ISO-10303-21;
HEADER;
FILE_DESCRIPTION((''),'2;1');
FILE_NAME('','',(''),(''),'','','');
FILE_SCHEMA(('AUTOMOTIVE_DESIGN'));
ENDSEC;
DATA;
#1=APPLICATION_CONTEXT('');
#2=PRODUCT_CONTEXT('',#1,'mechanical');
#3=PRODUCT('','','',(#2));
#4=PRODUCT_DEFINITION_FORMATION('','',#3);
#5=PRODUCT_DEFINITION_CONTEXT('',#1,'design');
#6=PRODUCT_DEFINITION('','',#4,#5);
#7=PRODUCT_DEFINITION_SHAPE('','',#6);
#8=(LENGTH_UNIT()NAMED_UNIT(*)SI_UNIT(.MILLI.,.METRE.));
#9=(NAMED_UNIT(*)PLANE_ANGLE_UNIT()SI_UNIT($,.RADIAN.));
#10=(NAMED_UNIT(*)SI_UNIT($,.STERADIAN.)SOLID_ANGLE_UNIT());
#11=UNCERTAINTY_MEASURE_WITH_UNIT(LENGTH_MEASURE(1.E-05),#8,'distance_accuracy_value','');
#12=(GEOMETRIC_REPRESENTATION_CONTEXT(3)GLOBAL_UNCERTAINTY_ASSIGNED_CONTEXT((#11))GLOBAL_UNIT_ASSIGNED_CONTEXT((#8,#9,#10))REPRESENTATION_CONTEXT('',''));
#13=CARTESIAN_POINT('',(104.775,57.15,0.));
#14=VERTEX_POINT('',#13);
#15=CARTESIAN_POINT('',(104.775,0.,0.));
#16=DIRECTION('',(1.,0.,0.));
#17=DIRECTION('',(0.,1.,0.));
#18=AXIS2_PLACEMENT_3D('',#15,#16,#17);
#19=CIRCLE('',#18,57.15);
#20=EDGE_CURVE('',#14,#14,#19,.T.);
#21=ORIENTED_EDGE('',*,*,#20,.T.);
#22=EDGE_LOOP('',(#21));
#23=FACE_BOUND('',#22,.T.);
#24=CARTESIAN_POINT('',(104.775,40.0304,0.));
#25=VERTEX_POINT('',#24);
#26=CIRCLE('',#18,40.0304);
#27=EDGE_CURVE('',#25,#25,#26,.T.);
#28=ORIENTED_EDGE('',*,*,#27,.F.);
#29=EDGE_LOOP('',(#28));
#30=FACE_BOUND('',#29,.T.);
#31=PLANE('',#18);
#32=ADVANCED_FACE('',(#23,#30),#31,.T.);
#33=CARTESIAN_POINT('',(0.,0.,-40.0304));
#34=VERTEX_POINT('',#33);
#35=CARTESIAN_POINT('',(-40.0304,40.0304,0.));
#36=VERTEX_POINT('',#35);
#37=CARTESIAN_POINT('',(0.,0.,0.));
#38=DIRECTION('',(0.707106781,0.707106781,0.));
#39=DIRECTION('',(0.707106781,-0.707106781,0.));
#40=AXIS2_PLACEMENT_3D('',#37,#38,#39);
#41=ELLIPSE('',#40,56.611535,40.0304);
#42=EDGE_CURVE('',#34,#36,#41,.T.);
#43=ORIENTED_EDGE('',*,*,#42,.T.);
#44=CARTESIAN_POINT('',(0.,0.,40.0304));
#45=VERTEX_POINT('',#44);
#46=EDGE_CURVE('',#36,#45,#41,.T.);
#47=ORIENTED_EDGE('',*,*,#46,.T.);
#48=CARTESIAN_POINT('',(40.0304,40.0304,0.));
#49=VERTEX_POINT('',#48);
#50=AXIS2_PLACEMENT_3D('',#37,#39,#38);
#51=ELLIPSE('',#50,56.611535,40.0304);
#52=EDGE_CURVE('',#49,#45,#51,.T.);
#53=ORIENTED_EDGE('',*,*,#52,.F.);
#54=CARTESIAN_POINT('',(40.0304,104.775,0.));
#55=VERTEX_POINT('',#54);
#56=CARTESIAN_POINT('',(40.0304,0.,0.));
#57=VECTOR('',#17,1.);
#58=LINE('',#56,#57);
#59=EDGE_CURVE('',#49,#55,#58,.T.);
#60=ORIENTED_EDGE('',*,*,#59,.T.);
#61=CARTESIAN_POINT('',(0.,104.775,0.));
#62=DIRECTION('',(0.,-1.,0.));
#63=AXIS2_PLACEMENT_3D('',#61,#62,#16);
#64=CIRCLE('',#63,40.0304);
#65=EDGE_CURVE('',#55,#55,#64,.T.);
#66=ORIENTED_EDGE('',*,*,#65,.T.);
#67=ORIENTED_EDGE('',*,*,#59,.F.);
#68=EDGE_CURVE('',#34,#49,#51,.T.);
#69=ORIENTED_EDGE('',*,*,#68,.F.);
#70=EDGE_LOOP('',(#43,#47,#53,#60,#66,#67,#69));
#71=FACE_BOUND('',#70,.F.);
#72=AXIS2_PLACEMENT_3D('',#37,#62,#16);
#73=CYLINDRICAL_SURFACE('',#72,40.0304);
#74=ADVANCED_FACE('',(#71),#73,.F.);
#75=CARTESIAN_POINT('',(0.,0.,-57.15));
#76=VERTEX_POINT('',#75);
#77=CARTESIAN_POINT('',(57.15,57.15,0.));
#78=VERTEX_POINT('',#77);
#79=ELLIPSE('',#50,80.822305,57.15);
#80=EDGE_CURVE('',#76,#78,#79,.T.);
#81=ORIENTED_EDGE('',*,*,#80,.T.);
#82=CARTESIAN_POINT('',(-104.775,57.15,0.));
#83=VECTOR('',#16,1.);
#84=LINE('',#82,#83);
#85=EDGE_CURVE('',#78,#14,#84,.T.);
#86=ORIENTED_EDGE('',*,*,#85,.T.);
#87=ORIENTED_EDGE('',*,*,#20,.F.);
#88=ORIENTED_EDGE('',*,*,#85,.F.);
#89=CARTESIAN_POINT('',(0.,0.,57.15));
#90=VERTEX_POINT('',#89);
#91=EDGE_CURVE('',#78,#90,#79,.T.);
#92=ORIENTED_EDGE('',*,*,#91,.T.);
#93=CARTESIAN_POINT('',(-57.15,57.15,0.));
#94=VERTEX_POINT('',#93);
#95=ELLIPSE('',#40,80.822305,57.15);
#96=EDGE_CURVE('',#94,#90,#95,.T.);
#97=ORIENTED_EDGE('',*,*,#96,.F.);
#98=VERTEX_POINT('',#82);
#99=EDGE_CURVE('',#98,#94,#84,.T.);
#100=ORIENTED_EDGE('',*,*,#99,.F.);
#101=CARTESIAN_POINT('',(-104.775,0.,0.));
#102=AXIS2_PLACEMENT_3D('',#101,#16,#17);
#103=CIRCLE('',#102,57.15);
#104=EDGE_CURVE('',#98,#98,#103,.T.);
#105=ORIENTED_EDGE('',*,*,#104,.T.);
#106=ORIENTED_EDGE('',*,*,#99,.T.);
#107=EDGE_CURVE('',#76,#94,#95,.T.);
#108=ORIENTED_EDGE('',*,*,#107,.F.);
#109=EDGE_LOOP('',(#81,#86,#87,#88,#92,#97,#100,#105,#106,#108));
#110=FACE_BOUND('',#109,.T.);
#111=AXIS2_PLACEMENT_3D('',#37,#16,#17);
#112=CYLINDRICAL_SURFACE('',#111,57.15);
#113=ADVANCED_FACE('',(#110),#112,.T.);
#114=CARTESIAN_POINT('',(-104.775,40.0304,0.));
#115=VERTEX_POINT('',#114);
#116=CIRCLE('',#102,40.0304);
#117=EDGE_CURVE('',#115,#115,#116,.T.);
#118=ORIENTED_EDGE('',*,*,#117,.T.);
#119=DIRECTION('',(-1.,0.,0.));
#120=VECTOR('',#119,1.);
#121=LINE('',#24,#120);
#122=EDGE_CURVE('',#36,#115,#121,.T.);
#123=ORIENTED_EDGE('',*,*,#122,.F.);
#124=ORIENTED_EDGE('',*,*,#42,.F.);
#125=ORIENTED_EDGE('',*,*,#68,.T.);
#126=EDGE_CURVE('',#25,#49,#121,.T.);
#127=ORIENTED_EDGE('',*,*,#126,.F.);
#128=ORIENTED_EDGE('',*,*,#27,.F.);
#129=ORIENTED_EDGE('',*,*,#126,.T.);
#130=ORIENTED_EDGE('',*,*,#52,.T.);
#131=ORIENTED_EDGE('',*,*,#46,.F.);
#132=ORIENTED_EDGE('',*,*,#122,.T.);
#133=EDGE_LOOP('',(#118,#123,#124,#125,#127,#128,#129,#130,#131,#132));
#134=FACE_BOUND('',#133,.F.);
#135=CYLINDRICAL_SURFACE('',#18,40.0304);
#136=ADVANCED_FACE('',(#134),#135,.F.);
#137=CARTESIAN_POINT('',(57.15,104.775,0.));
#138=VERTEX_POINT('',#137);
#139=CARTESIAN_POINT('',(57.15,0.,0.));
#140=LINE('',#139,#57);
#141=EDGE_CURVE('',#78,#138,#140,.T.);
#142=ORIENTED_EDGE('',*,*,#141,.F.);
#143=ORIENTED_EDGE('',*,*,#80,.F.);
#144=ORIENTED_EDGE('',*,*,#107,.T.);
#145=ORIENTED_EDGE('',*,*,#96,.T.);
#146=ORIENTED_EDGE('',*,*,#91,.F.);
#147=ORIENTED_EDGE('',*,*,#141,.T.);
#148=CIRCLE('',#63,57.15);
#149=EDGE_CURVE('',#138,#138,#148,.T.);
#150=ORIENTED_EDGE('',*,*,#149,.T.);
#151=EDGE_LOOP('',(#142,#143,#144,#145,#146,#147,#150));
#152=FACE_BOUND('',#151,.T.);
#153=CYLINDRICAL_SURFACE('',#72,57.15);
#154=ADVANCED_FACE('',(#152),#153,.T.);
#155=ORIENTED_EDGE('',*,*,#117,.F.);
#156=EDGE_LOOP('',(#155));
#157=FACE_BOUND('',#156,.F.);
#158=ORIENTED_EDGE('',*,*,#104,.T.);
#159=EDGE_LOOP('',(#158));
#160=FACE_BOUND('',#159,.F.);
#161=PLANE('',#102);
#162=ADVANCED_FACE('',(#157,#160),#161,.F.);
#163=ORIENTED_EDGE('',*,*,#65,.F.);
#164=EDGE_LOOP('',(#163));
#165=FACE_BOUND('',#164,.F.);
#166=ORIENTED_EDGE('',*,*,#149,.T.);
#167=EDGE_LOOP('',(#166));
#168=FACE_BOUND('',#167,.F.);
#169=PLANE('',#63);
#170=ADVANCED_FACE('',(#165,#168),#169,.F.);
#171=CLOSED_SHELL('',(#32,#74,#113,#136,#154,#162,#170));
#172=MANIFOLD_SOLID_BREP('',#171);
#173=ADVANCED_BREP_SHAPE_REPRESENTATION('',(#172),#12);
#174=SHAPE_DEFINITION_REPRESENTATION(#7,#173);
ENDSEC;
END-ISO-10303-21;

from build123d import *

# Parameters (mm, degrees)
F2_R          = 57.15
F3_DEPTH      = 104.775
F3_DEPTH_BACK = 104.775
F0_R          = 57.15
F4_DEPTH      = 104.775
F5_R          = 40.0304
F6_DEPTH      = 209.551
F1_R          = 40.0304
F7_DEPTH      = 104.776


with BuildPart() as f3:
    # F2 (on Right) → F3 (new body, two sides)
    with BuildSketch(Plane.YZ) as f3_sk:
        Circle(F2_R)
    extrude(amount=F3_DEPTH)
    extrude(f3_sk.sketch, amount=-F3_DEPTH_BACK)

    # F0 (on Front) → F4 (join)
    with BuildSketch(Plane.XZ):
        Circle(F0_R)
    extrude(amount=-F4_DEPTH)

    # F5 (on face) → F6 (cut, through all)
    with BuildSketch(Plane.YZ.offset(104.775)):
        Circle(F5_R)
    extrude(amount=-F6_DEPTH, mode=Mode.SUBTRACT)

    # F1 (on Front) → F7 (cut, through all)
    with BuildSketch(Plane.XZ):
        Circle(F1_R)
    extrude(amount=-F7_DEPTH, mode=Mode.SUBTRACT)


solid = f3.part
